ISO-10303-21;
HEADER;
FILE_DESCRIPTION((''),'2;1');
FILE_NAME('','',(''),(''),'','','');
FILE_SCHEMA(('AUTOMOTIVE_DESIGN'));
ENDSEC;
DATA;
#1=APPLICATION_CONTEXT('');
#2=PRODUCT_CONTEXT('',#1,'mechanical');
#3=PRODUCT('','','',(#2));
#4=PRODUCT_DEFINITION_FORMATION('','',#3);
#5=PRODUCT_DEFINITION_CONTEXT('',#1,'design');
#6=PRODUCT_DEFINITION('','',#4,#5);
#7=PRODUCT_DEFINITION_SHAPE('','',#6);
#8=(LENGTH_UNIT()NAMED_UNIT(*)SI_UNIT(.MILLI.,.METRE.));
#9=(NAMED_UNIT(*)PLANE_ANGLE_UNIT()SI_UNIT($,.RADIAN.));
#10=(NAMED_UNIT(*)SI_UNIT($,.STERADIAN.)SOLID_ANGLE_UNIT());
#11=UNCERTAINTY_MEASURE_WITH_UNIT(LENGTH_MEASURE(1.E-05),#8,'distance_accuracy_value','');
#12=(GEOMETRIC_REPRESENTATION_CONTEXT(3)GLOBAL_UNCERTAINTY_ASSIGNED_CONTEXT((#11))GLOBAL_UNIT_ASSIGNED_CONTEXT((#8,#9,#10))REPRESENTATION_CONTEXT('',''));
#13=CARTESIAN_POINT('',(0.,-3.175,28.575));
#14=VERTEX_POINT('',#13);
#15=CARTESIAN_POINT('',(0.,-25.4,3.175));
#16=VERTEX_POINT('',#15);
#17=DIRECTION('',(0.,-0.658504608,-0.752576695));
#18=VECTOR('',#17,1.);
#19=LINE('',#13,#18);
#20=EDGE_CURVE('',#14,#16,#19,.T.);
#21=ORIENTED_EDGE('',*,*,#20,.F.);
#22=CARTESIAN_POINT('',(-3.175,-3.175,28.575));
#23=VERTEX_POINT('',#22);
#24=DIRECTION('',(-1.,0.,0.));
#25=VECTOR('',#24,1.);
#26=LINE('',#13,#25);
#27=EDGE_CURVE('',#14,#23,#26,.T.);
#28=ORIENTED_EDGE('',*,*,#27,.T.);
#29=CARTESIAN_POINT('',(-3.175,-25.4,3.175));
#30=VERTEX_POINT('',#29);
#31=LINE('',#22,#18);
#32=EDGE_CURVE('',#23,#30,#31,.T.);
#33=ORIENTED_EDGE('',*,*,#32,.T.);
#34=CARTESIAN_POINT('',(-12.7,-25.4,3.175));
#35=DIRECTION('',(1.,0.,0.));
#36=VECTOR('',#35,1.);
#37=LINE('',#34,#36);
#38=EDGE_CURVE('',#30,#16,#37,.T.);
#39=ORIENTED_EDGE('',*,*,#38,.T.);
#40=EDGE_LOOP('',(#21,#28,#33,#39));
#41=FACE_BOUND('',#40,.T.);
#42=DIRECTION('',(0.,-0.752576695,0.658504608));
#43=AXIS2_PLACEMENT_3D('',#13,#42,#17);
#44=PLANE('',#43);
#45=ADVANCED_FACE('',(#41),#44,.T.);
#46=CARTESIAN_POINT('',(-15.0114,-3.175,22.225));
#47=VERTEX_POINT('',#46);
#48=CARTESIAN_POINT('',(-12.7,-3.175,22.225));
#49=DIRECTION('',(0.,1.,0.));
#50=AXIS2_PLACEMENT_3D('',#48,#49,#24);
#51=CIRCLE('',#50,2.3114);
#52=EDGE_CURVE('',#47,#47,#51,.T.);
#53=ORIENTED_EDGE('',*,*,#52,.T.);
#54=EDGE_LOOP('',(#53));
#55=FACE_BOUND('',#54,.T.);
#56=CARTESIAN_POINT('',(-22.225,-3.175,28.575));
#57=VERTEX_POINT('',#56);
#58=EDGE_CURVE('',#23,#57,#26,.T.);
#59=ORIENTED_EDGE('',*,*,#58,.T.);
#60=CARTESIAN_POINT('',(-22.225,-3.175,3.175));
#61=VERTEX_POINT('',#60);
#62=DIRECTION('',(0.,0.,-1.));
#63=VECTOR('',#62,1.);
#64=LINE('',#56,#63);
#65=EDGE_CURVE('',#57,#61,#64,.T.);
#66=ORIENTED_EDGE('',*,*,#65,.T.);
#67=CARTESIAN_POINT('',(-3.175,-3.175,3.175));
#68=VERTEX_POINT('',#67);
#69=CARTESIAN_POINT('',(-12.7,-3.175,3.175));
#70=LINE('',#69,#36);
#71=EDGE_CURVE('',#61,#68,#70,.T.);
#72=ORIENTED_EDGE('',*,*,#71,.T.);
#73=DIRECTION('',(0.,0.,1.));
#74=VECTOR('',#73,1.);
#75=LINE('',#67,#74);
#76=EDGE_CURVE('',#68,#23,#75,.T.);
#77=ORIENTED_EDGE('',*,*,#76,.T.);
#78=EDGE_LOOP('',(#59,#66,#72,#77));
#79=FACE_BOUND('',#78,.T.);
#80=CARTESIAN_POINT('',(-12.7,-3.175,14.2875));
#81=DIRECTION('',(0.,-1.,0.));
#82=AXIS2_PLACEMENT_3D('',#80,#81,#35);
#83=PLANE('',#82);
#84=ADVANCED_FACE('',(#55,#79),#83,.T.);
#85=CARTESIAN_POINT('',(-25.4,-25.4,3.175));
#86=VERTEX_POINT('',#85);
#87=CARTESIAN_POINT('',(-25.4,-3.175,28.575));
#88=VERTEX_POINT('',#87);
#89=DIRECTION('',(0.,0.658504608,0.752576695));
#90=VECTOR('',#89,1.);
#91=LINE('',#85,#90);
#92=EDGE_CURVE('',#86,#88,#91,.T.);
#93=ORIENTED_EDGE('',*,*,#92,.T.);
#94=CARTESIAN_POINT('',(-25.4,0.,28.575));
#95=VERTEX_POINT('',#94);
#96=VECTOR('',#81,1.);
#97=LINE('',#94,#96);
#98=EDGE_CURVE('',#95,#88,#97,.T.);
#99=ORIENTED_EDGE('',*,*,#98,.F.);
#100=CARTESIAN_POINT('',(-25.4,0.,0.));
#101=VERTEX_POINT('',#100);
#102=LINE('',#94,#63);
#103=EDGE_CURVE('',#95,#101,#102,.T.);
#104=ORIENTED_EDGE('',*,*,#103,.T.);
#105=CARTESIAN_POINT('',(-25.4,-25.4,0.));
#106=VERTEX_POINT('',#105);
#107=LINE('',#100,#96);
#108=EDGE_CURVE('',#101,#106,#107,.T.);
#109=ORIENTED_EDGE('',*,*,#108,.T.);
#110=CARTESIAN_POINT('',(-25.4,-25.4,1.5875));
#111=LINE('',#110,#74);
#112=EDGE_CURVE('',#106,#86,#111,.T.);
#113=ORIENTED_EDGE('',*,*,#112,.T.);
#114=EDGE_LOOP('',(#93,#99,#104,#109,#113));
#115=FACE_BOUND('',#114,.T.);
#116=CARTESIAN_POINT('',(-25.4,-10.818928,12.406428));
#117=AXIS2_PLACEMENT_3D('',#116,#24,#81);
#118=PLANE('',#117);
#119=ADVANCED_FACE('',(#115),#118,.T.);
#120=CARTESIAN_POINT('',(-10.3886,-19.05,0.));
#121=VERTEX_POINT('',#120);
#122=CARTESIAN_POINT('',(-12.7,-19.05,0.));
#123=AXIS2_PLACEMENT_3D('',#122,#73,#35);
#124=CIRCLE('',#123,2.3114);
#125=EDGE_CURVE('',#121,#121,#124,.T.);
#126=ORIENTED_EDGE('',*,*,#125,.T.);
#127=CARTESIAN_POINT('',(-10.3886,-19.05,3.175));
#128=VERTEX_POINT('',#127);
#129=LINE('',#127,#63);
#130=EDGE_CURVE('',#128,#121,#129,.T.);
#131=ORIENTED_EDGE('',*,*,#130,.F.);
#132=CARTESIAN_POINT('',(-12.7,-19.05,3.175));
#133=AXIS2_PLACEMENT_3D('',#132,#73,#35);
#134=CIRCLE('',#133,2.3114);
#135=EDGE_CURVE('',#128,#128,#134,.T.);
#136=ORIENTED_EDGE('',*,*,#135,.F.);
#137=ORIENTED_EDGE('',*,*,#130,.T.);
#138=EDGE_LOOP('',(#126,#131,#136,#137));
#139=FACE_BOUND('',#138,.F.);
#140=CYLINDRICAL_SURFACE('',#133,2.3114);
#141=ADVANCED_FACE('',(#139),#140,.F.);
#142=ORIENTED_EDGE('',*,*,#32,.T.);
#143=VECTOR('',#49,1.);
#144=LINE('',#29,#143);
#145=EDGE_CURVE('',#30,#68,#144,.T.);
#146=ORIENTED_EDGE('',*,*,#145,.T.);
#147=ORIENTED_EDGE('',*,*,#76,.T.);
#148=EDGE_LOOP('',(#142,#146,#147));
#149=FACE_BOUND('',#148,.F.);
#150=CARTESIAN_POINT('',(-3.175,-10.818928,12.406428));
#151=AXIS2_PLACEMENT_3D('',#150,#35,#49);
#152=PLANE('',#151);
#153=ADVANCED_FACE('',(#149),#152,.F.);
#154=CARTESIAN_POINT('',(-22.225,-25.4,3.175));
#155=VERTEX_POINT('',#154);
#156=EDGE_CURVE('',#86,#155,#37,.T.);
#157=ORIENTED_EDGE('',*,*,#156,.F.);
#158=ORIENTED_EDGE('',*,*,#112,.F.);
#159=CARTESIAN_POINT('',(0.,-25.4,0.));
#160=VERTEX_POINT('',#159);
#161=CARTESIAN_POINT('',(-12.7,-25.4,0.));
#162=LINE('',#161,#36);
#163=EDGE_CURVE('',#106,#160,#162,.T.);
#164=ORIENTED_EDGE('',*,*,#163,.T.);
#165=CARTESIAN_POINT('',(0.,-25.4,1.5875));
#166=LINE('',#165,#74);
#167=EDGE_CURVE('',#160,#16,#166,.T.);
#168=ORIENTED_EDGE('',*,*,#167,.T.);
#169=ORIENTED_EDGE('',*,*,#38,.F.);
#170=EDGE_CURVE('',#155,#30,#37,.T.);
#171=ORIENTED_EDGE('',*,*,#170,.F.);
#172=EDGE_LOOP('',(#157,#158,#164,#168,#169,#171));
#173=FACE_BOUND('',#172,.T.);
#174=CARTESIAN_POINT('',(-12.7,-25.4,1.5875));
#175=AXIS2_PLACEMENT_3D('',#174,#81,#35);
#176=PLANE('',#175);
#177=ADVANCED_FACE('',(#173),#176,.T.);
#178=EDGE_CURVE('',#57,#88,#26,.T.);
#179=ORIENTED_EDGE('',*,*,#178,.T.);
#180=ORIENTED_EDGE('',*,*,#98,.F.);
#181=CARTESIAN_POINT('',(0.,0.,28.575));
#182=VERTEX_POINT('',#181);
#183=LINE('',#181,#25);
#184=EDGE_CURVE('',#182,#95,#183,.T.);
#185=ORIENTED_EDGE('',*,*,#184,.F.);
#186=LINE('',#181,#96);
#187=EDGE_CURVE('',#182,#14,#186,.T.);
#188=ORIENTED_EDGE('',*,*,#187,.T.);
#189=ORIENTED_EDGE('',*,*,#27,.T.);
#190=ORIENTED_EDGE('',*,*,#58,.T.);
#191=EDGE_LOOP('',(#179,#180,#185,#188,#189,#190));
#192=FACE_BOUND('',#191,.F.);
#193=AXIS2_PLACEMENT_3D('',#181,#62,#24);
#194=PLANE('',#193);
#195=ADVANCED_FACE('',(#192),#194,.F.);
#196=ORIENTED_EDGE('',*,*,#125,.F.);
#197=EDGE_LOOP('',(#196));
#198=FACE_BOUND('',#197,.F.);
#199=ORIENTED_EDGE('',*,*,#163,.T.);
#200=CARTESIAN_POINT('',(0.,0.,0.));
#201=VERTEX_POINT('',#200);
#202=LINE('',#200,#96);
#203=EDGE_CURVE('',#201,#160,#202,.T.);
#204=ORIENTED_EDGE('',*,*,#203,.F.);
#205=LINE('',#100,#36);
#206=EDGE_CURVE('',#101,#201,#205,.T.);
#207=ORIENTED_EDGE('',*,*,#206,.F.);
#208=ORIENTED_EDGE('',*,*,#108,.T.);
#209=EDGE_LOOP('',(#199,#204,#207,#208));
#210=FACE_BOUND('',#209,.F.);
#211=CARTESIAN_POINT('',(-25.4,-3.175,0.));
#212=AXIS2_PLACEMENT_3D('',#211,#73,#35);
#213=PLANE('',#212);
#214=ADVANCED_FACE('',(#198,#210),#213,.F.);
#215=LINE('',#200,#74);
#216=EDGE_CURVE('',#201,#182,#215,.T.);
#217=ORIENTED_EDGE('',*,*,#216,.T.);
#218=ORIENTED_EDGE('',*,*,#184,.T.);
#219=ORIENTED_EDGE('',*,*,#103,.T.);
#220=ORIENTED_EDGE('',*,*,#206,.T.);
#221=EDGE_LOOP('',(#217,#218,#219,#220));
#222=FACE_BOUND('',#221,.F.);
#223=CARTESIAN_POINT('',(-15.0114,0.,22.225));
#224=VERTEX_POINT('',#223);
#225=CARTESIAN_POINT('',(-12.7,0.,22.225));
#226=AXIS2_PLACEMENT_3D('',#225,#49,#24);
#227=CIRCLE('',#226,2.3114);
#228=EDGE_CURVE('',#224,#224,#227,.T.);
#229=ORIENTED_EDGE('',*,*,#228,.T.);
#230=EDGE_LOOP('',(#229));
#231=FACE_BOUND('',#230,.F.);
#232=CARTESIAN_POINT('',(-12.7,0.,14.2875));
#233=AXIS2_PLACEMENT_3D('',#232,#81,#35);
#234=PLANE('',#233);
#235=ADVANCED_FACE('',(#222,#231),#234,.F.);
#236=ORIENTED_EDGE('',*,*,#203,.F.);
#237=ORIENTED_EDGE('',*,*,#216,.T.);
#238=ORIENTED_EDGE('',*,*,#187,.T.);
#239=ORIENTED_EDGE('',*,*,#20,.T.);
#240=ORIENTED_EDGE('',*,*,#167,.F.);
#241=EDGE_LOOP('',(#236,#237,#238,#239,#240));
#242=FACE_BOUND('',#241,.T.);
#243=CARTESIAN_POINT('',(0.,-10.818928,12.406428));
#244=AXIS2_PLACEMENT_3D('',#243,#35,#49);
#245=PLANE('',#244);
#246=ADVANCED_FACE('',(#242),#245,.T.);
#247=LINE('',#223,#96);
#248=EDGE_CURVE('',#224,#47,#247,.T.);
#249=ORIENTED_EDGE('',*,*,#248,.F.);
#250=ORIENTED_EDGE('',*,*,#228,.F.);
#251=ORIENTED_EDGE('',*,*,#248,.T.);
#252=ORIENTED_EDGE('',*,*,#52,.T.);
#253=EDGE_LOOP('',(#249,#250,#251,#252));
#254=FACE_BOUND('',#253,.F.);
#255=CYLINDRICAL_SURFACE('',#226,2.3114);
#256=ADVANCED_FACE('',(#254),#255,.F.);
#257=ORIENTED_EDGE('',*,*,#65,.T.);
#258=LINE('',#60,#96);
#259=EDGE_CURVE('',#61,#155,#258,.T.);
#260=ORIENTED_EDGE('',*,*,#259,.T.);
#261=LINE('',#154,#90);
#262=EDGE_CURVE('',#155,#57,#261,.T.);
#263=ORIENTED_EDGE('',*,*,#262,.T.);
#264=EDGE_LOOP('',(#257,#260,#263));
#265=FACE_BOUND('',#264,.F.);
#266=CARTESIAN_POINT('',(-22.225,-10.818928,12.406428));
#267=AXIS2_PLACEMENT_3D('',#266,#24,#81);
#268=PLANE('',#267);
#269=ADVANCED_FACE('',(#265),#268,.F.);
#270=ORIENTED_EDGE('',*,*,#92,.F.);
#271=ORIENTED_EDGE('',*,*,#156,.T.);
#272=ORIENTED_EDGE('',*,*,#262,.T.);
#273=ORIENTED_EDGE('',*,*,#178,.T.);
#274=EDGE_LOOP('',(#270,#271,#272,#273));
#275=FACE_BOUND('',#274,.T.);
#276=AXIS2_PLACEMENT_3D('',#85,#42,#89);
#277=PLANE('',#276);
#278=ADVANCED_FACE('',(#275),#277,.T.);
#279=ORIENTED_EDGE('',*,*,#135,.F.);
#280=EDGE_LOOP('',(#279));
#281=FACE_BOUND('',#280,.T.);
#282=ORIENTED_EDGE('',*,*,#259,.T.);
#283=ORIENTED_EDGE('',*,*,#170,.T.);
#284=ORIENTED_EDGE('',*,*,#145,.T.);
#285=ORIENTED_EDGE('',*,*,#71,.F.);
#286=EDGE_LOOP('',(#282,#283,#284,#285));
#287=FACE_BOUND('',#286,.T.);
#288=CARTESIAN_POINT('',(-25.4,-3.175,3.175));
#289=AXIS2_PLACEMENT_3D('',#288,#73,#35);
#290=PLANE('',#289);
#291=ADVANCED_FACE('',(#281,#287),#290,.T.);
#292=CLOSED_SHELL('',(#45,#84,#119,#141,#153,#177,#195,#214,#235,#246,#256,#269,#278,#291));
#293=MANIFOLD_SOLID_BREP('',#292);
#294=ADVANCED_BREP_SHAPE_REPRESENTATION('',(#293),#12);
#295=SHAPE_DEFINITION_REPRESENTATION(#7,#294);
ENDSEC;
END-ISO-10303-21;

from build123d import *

# Parameters (mm, degrees)
F1_DEPTH = 3.175
F2_W     = 25.4
F2_H     = 3.175
F3_DEPTH = 22.225
F4_R     = 2.3114
F5_DEPTH = 25.4
F7_DEPTH = 3.175
F9_DEPTH = 3.175


with BuildPart() as f1:
    # F0 (on Front) → F1 (new body)
    with BuildSketch(Plane.XZ):
        Polygon((-25.4, 0), (0, 0), (0, 28.575), (-25.4, 28.575), (-25.4, 22.225), (-25.4, 3.175), align=None)
        with BuildLine():
            ThreePointArc((-10.3886, 22.225), (-12.7, 19.9136), (-15.0114, 22.225))
            ThreePointArc((-15.0114, 22.225), (-12.7, 24.5364), (-10.3886, 22.225))
        make_face(mode=Mode.SUBTRACT)
    extrude(amount=F1_DEPTH)

    # F2 (on face) → F3 (join)
    with BuildSketch(Plane.XZ.offset(3.175)):
        with Locations((-12.7, 1.5875)):
            Rectangle(F2_W, F2_H)
    extrude(amount=F3_DEPTH)

    # F4 (on face) → F5 (cut)
    with BuildSketch(Plane.XY.offset(3.175)):
        with Locations((-12.7, -19.05)):
            Circle(F4_R)
    extrude(amount=-F5_DEPTH, mode=Mode.SUBTRACT)

    # F6 (on face) → F7 (join)
    with BuildSketch(Plane.YZ):
        Polygon((-3.175, 28.575), (-25.4, 3.175), (-3.175, 3.175), align=None)
    extrude(amount=-F7_DEPTH)

    # F8 (on face) → F9 (join)
    with BuildSketch(Plane(origin=(-25.4, 0, 0), x_dir=(0, -1, 0), z_dir=(-1, 0, 0))):
        Polygon((3.175, 3.175), (25.4, 3.175), (3.175, 28.575), align=None)
    extrude(amount=-F9_DEPTH)


solid = f1.part
